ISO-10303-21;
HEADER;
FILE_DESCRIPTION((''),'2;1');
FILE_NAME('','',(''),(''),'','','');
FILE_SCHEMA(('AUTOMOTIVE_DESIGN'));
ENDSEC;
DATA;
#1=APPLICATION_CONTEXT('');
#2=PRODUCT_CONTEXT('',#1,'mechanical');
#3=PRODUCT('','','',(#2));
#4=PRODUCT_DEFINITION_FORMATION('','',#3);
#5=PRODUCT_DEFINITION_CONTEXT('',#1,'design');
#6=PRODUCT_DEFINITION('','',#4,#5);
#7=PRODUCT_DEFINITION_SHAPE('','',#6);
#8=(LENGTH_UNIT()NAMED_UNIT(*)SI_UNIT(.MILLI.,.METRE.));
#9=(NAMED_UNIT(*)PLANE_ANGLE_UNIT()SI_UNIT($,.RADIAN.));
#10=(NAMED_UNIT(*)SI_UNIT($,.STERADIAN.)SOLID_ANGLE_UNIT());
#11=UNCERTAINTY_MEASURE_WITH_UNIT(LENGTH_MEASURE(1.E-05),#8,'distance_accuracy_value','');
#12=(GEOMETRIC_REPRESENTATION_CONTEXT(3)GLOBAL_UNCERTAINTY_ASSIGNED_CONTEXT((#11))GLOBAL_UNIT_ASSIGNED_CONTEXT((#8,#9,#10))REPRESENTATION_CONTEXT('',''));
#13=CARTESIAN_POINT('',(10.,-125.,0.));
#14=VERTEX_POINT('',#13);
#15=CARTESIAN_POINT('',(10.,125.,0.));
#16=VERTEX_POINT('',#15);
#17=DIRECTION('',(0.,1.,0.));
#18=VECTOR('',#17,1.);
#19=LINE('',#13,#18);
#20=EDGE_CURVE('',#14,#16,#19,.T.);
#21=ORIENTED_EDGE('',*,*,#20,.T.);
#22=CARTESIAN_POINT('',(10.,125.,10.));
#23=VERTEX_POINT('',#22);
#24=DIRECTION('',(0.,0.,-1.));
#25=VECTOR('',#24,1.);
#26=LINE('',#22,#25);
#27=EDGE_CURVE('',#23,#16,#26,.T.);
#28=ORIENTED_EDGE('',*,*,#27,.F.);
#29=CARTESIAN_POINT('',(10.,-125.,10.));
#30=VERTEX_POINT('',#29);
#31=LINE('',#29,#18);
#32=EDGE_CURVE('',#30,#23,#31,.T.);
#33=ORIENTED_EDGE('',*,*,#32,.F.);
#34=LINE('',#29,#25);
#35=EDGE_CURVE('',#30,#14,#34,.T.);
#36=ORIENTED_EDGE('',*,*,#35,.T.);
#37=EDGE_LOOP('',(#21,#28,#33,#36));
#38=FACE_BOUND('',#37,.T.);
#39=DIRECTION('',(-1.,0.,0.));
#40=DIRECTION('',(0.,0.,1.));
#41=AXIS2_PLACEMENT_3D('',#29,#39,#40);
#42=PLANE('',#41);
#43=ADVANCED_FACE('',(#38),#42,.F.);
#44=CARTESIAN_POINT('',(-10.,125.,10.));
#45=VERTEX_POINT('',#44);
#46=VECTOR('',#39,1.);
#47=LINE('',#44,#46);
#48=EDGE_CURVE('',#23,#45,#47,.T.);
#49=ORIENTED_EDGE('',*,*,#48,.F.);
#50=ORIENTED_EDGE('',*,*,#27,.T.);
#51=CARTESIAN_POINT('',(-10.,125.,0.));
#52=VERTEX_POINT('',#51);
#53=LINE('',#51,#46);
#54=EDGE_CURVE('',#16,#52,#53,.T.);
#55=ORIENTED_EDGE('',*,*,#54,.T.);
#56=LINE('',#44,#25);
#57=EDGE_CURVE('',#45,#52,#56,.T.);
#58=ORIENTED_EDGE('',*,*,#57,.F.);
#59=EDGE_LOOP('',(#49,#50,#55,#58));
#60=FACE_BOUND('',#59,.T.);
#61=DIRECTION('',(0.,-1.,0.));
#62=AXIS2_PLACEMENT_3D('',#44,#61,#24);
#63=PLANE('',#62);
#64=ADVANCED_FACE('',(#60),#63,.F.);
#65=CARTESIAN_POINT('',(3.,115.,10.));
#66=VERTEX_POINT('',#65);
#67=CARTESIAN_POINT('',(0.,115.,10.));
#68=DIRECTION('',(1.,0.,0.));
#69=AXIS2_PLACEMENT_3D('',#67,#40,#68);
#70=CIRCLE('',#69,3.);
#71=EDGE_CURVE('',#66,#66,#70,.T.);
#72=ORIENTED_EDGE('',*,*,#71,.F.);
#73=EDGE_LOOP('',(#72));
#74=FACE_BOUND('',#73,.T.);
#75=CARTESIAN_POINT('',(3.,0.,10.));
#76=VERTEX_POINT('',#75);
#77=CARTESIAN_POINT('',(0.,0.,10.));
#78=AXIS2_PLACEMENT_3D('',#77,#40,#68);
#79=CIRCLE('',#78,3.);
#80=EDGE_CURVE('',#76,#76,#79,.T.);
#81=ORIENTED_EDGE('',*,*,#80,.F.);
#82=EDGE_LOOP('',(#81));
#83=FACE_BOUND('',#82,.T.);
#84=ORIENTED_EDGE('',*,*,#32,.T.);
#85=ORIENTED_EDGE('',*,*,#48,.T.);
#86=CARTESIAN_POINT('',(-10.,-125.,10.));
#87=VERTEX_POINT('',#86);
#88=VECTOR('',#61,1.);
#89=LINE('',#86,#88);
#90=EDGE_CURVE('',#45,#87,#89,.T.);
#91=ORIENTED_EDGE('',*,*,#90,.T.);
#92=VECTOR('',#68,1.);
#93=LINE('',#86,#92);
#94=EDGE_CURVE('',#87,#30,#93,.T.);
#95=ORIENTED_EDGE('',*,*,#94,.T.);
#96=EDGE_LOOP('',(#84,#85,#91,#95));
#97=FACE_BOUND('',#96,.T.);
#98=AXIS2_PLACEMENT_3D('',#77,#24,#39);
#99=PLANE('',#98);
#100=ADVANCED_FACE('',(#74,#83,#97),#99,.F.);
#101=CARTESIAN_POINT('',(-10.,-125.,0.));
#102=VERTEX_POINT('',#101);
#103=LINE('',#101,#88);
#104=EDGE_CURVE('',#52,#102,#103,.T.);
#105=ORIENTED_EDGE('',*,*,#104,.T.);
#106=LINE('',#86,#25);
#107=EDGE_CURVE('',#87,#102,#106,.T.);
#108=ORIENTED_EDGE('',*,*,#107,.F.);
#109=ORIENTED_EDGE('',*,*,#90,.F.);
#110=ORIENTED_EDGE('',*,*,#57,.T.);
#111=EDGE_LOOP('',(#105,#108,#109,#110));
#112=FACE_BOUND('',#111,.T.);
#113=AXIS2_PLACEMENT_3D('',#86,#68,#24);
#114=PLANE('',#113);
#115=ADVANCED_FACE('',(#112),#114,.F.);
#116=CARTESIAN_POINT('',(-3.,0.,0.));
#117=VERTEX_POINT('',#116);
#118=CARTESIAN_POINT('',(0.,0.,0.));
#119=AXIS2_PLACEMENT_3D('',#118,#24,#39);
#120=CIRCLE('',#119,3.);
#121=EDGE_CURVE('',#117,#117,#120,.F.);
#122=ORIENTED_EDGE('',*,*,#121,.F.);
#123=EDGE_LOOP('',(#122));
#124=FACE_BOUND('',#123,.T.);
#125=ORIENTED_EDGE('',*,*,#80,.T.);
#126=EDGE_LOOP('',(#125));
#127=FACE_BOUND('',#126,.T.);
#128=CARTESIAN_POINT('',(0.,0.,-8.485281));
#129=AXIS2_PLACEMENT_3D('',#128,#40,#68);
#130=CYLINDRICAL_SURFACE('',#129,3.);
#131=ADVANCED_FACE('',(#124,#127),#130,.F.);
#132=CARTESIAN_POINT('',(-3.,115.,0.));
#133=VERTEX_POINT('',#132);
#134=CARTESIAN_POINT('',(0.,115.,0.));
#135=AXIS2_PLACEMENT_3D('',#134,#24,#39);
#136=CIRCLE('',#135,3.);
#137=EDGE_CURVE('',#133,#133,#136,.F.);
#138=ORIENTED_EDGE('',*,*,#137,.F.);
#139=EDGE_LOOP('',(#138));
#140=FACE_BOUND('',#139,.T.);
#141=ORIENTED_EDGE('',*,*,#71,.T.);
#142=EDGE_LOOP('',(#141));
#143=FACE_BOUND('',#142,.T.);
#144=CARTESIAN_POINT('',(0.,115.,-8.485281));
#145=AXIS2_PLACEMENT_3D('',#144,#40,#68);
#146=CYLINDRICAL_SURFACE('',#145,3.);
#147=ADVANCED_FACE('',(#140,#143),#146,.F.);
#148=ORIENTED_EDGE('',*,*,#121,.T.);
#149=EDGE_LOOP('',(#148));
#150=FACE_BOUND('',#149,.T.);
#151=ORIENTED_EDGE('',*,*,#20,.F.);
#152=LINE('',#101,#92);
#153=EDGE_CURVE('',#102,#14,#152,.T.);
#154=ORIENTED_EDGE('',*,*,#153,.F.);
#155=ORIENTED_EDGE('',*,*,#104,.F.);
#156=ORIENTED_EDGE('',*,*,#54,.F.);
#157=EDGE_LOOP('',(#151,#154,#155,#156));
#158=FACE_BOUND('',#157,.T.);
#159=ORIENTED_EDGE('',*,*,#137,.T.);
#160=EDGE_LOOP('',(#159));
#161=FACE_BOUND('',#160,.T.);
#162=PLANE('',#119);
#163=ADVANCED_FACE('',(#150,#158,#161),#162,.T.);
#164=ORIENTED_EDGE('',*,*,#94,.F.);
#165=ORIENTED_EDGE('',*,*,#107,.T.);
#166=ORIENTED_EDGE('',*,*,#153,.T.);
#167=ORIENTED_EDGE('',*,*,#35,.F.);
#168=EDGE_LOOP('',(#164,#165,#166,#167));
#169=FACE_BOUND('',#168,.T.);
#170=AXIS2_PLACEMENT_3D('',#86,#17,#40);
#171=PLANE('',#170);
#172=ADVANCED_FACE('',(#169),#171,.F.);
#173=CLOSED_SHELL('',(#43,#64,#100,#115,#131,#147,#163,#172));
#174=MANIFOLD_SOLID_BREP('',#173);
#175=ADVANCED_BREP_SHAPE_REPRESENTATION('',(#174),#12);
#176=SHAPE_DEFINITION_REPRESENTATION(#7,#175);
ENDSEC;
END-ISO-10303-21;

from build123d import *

# Parameters (mm, degrees)
SKETCH1_W           = 20
SKETCH1_H           = 250
BOSS_EXTRUDE1_DEPTH = 10
SKETCH2_R           = 3
CUT_EXTRUDE1_DEPTH  = 10


with BuildPart() as part:
    # Sketch1 → Boss-Extrude1 (new body)
    with BuildSketch(Plane.XY):
        Rectangle(SKETCH1_W, SKETCH1_H)
    extrude(amount=BOSS_EXTRUDE1_DEPTH)

    # Sketch2 → Cut-Extrude1 (cut)
    with BuildSketch(Plane.XY.offset(10)):
        with Locations((0, 115)):
            Circle(SKETCH2_R)
        Circle(SKETCH2_R)
    extrude(amount=-CUT_EXTRUDE1_DEPTH, mode=Mode.SUBTRACT)


solid = part.part
